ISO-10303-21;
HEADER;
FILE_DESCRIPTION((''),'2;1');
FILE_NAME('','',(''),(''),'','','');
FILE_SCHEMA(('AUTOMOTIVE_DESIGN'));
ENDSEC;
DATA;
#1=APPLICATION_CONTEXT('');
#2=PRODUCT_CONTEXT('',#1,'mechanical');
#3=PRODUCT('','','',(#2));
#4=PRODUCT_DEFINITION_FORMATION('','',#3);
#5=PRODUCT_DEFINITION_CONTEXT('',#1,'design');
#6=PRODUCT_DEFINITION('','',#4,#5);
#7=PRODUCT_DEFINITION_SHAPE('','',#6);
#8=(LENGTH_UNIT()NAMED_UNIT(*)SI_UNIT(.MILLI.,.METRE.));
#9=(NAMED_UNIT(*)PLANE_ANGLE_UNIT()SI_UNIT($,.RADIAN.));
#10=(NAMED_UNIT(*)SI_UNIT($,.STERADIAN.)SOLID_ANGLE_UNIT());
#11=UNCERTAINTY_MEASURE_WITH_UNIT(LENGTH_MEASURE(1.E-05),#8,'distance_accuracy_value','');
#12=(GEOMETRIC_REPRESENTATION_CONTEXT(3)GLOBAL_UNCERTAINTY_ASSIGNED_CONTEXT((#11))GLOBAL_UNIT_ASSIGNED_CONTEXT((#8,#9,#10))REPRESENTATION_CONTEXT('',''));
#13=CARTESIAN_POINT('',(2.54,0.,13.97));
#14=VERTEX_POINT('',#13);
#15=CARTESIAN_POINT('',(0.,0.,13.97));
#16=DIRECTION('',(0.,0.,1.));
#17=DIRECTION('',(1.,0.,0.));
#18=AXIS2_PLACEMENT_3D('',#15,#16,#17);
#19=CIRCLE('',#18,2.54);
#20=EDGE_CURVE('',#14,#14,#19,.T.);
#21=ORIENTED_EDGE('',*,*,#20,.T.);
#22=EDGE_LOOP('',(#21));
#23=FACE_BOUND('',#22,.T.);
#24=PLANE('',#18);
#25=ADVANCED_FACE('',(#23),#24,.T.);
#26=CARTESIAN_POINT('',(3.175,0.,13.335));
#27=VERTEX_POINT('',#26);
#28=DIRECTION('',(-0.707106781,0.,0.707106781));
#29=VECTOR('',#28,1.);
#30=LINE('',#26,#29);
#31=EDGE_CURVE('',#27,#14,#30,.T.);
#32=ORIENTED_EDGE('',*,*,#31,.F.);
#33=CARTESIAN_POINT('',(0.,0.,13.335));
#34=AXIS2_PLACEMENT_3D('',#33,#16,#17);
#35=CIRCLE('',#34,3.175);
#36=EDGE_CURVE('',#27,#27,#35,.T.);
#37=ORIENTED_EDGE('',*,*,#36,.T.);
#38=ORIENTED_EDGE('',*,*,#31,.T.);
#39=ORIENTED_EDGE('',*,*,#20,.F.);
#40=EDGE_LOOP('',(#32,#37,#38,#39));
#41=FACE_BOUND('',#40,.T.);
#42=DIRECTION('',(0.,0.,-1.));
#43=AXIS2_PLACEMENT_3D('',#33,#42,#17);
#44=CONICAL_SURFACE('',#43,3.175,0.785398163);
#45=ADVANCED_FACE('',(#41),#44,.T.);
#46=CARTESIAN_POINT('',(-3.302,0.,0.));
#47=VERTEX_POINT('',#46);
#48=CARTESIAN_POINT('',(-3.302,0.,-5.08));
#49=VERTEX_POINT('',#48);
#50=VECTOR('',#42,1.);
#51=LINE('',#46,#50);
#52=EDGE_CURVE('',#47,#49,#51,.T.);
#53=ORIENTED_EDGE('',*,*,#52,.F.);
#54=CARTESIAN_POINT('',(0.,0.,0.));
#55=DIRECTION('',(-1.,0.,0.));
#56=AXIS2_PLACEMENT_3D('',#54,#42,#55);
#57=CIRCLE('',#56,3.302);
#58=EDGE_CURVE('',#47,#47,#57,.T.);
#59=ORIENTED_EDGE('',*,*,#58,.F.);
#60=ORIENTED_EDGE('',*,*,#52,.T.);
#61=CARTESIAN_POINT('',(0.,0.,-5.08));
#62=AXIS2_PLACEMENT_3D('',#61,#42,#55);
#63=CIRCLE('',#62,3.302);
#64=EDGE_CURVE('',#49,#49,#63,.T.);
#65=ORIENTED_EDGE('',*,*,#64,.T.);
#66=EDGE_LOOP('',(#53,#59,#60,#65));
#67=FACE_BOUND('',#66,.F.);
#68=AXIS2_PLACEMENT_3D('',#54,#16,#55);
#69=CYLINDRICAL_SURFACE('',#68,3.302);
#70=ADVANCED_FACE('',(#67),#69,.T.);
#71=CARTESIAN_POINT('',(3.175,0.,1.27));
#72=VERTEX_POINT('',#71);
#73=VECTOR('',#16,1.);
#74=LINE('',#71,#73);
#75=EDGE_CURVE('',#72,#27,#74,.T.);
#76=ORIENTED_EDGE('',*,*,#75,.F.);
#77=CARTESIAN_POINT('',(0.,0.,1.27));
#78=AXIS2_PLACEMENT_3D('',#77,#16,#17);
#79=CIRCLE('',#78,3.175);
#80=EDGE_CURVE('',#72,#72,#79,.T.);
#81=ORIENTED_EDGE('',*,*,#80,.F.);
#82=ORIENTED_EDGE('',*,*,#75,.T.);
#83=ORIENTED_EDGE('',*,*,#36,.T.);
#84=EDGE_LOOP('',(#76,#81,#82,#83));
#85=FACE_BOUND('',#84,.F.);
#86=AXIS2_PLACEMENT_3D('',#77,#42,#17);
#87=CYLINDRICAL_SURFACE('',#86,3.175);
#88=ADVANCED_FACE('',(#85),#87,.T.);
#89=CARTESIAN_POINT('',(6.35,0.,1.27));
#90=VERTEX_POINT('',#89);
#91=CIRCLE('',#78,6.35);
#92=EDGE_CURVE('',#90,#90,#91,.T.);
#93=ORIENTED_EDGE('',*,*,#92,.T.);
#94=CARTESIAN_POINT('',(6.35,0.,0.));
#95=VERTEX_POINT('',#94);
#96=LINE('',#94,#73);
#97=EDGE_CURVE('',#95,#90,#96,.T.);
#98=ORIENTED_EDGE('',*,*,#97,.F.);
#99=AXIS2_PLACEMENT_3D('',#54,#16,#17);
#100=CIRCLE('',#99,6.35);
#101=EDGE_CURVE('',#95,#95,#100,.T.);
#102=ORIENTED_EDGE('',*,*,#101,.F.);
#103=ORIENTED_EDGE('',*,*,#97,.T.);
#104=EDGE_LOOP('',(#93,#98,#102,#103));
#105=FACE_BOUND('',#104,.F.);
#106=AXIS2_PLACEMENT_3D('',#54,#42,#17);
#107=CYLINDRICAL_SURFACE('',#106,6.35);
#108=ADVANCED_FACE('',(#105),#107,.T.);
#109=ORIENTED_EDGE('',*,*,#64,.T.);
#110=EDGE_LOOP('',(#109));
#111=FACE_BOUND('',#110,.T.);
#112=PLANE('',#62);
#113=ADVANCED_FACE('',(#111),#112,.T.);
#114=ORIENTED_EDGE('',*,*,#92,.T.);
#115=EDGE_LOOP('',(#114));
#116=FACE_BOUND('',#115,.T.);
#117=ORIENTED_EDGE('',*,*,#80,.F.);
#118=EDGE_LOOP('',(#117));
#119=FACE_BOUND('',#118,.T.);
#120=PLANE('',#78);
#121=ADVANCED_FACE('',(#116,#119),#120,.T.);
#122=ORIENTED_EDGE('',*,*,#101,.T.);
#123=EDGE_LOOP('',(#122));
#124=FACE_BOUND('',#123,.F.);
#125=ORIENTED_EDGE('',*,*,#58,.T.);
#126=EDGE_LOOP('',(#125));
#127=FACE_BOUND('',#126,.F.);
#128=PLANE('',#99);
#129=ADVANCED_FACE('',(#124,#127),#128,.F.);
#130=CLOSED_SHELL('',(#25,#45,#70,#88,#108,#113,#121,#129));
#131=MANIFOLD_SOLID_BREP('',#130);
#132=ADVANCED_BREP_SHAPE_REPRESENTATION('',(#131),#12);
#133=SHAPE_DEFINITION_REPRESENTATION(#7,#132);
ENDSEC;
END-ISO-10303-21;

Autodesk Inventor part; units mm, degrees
ref_plane "YZ Plane" through (0, 0, 0) normal (1, 0, 0) x (0, 1, 0)
ref_plane "XZ Plane" through (0, 0, 0) normal (0, 1, 0) x (-1, 0, 0)
ref_plane "XY Plane" through (0, 0, 0) normal (0, 0, 1) x (1, 0, 0)
sketch "Sketch1" plane through (0, 0, 0) normal (0, 0, 1) x (1, 0, 0)
  circle A0 centre (0, 0) radius 6.35
  dimension "d0" = 12.7
extrude "Extrusion1" add sketch "Sketch1" along normal blind 1.27
sketch "Sketch2" plane through (0, 0, 1.27) normal (0, 0, 1) x (1, 0, 0)
  circle A0 centre (0, 0) radius 6.35 projected
  circle A1 centre (0, 0) radius 3.175
  dimension "d3" = 6.35
extrude "Extrusion2" add sketch "Sketch2" along normal blind 12.7 contours A1
chamfer "Chamfer1" distance 0.635 angle 45 1 edges at (-3.175, 0, 13.97)
thread "Thread1" size "1/4-28 UNF" class "1A" standard "ANSI Unified Screw Threads" full length
sketch "Sketch3" plane through (0, 0, 0) normal (0, 0, -1) x (-1, 0, 0)
  circle A0 centre (0, 0) radius 6.35 projected
  circle A1 centre (0, 0) radius 3.302
  dimension "d10" = 6.604
extrude "Extrusion3" add sketch "Sketch3" along normal blind 5.08 contours A1
properties part number "Breaker Post" material "Steel, Mild"
